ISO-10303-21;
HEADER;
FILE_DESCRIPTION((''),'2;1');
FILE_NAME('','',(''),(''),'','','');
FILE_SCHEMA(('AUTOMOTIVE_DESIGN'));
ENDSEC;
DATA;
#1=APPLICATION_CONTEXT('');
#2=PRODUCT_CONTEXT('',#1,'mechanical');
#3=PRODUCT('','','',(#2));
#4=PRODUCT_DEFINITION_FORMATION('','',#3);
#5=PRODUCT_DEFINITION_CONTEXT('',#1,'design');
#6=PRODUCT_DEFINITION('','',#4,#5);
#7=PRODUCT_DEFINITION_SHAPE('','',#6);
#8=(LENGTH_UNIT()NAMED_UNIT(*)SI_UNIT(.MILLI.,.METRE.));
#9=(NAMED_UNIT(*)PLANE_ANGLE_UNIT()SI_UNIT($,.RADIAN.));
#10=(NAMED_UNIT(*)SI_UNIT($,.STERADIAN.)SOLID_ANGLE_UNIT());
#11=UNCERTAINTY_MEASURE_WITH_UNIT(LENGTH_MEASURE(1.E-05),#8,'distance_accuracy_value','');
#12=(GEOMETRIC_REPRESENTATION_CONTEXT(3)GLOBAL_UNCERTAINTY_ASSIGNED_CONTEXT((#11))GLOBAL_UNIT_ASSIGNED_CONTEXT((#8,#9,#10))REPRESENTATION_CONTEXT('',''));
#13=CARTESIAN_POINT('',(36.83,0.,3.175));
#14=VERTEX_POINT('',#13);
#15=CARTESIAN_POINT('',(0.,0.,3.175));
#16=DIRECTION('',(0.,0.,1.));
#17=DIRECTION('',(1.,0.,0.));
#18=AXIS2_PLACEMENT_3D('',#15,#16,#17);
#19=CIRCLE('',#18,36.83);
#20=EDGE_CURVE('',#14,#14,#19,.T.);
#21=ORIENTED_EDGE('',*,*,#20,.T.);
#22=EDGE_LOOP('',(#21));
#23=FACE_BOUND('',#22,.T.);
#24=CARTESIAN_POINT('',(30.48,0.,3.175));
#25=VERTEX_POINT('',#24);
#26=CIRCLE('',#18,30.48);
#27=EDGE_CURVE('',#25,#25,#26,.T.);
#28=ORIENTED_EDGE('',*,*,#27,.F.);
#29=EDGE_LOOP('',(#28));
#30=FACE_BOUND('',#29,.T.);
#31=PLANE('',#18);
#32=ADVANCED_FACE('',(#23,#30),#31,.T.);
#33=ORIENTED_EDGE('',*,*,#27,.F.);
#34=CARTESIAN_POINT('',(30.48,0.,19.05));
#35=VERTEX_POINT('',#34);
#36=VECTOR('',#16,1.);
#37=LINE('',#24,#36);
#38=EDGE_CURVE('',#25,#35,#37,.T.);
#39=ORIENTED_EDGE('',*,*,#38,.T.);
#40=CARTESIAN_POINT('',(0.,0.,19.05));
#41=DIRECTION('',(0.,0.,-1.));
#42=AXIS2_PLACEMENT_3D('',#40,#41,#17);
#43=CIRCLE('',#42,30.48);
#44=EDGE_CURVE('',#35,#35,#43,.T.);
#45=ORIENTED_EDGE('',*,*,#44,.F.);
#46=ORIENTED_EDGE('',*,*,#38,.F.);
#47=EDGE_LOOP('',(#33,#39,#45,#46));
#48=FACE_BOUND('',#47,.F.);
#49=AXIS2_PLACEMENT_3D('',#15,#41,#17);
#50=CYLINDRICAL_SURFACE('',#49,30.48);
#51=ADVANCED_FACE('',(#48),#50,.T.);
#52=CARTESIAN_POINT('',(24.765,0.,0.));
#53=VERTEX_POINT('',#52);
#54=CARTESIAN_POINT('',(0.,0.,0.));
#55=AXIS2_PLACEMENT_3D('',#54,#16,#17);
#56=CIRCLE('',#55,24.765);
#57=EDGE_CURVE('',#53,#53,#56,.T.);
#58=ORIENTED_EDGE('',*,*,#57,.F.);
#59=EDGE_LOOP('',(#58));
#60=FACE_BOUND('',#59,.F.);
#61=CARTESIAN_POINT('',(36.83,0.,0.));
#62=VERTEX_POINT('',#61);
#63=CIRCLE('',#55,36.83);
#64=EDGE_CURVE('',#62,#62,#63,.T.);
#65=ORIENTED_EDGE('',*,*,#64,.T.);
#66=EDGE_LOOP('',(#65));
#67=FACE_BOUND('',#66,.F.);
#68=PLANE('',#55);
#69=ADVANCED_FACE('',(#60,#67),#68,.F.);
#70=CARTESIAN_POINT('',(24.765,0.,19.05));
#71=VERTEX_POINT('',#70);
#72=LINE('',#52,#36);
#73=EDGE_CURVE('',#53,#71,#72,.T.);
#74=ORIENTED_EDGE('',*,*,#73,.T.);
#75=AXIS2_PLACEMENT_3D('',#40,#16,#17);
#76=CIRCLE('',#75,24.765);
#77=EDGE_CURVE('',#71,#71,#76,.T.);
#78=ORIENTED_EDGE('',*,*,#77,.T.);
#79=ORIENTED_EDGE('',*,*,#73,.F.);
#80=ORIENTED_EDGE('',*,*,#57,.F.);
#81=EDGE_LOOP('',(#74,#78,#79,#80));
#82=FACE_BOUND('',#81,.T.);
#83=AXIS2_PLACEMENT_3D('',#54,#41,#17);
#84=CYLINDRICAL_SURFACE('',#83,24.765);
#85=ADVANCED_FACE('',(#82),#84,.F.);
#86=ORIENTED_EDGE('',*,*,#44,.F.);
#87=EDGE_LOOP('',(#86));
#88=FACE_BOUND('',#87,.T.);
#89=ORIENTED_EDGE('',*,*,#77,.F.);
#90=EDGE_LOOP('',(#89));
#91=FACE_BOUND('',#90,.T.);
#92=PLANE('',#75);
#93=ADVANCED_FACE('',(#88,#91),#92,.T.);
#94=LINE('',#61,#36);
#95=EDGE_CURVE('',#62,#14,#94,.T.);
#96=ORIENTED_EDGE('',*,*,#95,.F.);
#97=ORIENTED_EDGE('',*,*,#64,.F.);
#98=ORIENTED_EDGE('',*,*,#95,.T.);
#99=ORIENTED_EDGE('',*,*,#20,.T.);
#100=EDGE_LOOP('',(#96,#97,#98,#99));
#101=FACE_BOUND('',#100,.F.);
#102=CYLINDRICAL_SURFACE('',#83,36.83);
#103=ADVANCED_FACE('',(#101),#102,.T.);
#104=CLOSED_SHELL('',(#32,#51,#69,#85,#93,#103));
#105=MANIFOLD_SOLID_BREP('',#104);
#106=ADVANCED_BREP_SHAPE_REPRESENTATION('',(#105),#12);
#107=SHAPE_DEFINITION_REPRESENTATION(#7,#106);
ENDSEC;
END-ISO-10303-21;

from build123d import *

# Parameters (mm, degrees)
F0_R        = 36.83
F0_R_2      = 24.765
F1_DEPTH    = 19.05
F3_R        = 36.83
F3_R_2      = 30.48
F1_FACE_R   = 36.83
F1_FACE_R_2 = 24.765
F4_DEPTH    = 63.5


with BuildPart() as f1:
    # F0 (on Top) → F1 (new body)
    with BuildSketch(Plane.XY):
        Circle(F0_R)
        Circle(F0_R_2, mode=Mode.SUBTRACT)
    extrude(amount=F1_DEPTH)

    # F3 (on offset) + F1_face (on face) → F4 (cut)
    with BuildSketch(Plane.XY.offset(3.175)):
        Circle(F3_R)
        Circle(F3_R_2, mode=Mode.SUBTRACT)
    with BuildSketch(Plane.XY.offset(19.05)):
        Circle(F1_FACE_R)
        Circle(F1_FACE_R_2, mode=Mode.SUBTRACT)
    extrude(amount=F4_DEPTH, mode=Mode.SUBTRACT)


solid = f1.part
